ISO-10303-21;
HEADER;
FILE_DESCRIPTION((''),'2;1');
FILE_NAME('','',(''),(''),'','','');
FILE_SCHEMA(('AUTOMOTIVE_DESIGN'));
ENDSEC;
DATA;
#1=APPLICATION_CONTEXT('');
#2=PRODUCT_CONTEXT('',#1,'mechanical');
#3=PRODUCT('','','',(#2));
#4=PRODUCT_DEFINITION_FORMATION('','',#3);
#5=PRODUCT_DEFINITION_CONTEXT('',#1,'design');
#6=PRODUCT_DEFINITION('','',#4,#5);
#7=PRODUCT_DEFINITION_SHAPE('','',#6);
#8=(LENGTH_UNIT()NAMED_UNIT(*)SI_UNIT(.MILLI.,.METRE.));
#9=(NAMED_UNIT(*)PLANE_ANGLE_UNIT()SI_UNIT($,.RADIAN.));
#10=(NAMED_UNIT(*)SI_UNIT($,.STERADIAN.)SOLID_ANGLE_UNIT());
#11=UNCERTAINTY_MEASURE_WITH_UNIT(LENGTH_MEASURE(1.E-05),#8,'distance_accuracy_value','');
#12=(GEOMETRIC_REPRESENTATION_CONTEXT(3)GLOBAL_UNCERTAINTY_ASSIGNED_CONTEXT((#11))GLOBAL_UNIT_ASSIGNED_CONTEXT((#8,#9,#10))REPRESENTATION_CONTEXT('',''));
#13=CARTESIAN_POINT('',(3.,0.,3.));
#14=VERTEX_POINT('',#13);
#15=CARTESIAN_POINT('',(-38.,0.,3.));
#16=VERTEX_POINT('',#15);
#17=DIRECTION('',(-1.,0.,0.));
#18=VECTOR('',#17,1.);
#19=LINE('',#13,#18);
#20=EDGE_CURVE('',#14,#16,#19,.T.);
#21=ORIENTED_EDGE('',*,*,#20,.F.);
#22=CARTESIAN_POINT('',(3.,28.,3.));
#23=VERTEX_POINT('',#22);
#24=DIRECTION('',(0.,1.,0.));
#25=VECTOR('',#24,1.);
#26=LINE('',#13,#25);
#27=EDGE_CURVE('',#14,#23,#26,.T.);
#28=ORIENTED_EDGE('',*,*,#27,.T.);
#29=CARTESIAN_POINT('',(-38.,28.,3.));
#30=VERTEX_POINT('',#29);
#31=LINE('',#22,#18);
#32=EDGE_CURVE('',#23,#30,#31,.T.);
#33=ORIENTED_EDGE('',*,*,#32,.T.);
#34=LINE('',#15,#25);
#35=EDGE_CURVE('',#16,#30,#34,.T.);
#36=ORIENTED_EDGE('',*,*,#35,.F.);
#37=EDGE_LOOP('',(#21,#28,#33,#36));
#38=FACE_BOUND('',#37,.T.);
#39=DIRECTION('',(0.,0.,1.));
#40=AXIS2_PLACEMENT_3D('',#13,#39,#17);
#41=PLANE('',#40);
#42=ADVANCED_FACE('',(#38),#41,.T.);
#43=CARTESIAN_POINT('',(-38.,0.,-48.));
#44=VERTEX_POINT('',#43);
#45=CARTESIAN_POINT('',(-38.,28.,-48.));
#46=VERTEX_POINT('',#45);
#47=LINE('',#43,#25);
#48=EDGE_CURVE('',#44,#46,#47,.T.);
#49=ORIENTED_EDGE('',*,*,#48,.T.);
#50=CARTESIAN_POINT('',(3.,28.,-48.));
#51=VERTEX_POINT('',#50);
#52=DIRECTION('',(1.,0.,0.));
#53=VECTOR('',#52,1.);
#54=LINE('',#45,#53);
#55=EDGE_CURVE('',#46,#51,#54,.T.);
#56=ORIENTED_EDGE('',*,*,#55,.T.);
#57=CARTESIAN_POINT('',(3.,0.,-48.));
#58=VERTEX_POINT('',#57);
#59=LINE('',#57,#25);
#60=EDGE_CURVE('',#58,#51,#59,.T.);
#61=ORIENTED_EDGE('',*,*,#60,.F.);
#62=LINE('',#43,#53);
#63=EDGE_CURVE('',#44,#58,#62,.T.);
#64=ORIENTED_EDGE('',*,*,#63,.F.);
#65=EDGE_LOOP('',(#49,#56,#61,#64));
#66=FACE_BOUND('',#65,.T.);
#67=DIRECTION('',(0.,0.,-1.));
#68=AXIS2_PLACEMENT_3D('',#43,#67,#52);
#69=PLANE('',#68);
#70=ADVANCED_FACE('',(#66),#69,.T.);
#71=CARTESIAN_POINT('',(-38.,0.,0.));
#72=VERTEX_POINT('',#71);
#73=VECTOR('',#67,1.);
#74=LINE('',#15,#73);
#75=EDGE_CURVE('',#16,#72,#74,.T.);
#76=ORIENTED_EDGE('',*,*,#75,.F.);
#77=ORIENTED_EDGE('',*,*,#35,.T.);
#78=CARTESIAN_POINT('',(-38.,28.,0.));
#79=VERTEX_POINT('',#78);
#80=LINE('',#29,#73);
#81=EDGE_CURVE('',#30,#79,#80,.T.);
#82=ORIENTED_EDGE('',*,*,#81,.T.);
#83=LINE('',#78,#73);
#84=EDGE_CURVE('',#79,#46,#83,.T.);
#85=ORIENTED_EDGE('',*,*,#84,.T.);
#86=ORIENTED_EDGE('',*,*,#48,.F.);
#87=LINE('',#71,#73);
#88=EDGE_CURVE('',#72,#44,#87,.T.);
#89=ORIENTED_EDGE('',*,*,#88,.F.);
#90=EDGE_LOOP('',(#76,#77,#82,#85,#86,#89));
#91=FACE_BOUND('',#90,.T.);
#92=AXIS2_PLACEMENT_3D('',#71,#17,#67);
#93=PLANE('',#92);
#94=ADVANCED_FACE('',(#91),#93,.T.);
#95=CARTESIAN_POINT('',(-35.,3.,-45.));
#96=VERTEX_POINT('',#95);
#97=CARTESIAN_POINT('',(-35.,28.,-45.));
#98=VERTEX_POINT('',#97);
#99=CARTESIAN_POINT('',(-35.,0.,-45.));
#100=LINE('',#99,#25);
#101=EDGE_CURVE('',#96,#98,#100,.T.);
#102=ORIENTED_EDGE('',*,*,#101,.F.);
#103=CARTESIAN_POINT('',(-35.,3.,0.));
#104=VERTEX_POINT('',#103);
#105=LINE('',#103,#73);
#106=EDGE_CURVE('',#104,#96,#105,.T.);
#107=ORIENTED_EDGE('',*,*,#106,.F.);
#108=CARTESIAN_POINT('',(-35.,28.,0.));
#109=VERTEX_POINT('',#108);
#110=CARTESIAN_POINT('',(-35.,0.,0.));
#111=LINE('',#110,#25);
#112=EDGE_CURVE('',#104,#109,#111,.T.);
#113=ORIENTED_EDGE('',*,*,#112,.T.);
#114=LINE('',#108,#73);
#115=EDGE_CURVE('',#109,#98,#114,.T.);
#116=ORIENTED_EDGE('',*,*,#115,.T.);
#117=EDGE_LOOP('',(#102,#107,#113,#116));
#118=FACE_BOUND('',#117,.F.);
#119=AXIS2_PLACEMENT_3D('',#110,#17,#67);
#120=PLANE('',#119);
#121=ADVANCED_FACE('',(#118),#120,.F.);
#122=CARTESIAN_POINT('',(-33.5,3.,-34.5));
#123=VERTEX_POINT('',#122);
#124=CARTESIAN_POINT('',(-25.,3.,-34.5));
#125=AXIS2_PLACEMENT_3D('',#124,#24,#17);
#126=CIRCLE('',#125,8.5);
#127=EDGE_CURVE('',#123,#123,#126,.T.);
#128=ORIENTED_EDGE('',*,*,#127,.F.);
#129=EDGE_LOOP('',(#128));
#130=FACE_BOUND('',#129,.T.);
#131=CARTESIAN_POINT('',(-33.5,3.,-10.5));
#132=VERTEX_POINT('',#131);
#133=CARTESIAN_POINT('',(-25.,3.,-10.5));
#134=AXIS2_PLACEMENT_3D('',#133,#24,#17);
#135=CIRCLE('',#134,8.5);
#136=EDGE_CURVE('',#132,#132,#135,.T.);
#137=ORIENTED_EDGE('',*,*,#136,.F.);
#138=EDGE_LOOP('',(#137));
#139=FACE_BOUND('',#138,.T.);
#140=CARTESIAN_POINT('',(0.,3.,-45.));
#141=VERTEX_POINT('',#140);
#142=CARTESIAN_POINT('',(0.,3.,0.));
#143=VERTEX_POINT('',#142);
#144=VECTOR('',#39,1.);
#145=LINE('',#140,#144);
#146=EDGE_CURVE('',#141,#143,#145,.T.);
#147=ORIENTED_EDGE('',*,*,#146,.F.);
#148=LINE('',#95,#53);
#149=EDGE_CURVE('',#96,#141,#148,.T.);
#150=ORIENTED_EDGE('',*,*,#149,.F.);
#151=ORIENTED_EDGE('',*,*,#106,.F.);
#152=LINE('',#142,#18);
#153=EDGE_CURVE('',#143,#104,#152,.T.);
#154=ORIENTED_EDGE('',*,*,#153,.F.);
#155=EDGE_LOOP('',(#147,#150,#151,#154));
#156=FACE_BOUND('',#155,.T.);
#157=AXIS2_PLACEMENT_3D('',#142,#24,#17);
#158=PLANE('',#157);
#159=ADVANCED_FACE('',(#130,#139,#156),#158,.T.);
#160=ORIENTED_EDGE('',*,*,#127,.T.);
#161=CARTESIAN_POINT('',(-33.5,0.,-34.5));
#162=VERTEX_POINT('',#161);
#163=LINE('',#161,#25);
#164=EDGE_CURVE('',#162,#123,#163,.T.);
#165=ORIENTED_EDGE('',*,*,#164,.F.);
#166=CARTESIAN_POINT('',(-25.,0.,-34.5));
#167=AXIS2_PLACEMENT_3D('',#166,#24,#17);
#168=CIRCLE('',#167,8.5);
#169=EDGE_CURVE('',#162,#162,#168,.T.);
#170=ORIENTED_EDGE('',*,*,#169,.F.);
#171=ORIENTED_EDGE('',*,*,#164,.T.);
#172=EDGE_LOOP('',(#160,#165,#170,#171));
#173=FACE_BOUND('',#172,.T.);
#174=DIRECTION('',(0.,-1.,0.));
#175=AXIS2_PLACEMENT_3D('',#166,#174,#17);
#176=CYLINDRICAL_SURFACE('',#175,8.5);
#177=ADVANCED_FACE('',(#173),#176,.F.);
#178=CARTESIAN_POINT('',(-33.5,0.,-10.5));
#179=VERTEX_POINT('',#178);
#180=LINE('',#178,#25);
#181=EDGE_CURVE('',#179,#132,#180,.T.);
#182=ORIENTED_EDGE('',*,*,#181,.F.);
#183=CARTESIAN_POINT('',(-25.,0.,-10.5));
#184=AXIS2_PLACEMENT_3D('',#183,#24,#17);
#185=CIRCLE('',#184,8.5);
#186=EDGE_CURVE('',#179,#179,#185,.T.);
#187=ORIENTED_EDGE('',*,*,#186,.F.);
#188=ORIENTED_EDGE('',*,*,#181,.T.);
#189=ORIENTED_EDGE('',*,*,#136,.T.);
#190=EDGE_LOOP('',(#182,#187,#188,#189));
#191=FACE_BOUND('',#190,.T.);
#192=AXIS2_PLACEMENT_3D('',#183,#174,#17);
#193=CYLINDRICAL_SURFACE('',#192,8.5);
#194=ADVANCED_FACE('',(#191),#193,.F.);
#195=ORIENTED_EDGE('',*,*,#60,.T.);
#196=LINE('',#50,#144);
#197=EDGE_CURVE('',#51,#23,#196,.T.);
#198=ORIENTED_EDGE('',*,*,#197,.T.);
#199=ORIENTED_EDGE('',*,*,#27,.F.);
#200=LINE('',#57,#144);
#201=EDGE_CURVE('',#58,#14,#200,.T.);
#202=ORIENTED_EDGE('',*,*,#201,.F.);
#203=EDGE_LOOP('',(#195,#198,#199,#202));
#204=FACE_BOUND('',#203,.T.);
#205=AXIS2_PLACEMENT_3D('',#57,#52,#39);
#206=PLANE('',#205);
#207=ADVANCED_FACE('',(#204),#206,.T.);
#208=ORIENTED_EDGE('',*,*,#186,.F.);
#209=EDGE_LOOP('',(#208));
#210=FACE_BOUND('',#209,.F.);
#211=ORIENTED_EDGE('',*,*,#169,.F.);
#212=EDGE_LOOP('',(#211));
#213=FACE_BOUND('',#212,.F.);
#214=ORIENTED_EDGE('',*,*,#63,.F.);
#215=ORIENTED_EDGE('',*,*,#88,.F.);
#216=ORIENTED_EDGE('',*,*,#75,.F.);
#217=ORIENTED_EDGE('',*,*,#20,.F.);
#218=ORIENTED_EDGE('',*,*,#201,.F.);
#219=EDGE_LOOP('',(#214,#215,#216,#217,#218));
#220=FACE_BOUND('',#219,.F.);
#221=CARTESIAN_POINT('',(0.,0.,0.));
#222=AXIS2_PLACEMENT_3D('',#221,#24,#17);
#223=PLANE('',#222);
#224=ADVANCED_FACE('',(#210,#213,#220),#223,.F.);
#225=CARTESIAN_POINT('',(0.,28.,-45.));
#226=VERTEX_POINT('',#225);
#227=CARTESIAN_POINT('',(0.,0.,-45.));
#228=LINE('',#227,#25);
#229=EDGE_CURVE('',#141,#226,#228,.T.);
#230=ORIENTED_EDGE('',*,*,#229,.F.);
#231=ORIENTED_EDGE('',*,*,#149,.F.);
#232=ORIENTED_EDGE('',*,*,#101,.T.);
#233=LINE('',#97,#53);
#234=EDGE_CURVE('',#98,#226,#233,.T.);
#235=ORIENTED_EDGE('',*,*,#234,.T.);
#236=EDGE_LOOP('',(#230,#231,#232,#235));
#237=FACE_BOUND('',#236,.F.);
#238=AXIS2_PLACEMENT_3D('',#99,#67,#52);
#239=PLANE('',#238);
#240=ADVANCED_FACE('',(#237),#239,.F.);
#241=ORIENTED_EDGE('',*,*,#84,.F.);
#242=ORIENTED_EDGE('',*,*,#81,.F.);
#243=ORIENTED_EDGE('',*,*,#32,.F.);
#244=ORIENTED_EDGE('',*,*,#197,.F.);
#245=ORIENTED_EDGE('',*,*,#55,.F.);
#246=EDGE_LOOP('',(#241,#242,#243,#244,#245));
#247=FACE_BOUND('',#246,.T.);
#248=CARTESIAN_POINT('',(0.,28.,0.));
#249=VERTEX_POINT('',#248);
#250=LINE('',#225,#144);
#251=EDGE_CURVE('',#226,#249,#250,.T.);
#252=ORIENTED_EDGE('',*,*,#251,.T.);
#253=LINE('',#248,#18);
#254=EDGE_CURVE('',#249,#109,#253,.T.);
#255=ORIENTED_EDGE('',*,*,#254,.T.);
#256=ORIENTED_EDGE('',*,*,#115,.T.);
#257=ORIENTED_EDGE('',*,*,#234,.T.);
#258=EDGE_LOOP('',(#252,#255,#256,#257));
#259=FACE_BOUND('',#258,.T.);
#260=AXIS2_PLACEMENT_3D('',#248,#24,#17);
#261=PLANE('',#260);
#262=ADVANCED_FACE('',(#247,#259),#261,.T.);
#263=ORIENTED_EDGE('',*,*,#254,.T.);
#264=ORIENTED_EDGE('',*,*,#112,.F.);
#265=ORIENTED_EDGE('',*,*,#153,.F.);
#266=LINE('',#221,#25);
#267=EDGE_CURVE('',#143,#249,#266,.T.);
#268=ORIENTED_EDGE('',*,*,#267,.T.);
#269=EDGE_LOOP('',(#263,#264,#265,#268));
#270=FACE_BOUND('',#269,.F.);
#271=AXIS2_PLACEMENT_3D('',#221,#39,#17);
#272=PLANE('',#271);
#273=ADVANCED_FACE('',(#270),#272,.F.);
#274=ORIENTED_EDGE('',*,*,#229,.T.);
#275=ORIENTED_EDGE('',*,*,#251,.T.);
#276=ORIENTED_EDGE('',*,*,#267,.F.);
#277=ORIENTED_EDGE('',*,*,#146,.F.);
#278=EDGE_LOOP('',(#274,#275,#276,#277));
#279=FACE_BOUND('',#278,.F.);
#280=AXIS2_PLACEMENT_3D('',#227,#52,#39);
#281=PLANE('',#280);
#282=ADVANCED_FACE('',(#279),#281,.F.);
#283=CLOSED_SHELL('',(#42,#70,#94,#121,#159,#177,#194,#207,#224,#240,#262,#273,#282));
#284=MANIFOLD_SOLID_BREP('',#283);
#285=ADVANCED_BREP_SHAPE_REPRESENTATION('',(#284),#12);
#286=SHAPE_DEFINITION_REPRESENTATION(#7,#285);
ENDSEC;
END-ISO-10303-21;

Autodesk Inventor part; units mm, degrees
ref_plane "YZ Plane" through (0, 0, 0) normal (1, 0, 0) x (0, 1, 0)
ref_plane "XZ Plane" through (0, 0, 0) normal (0, 1, 0) x (-1, 0, 0)
ref_plane "XY Plane" through (0, 0, 0) normal (0, 0, 1) x (1, 0, 0)
sketch "Sketch3" plane through (0, 0, 0) normal (0, 1, 0) x (-1, 0, 0)
  line L0 (0, 0) -> (35, 0)
  line L1 (35, 0) -> (35, -45)
  line L2 (35, -45) -> (0, -45)
  line L3 (0, -45) -> (0, 0)
  circle A0 centre (25, -10.5) radius 8.5
  circle A1 centre (25, -34.5) radius 8.5
  line L4 (35, 0) -> (38, 0)
  line L5 (38, 0) -> (38, -45)
  line L6 (38, -45) -> (38, -48)
  line L7 (38, -48) -> (0, -48)
  line L8 (0, -48) -> (-3, -48)
  line L9 (-3, -48) -> (-3, 0)
  line L10 (-3, 0) -> (-3, 3)
  line L11 (-3, 3) -> (38, 3)
  line L12 (38, 3) -> (38, 0)
  dimension "d26" = 45
  dimension "d27" = 35
  dimension "d31" = 17
  dimension "d32" = 17
  dimension "d33" = 3
  dimension "d34" = 3
  dimension "d35" = 3
  dimension "d36" = 3
extrude "Extrusion3" add sketch "Sketch3" along normal blind 3 contours L0 L1 L2 L3
extrude "Extrusion4" add sketch "Sketch3" along normal blind 28 contours L5 L6 L7 L8 L9 L10 L11 L12
sketch "Sketch4" plane through (0, 28, 0) normal (0, 1, 0) x (1, 0, 0)
  line L0 (-38, 48) -> (-38, -3) projected
  line L1 (-38, -3) -> (2.7105, -3)
  line L2 (-38, -3) -> (3, -3) projected
  line L3 (3, 48) -> (-38, 48) projected
  line L4 (3, -3) -> (3, 48)
  line L5 (-38, 48) -> (3, 48)
  point P0 (0, 0)
  dimension "d41" = 51
  dimension "d43" = 41
properties part number "ultrasonido"
